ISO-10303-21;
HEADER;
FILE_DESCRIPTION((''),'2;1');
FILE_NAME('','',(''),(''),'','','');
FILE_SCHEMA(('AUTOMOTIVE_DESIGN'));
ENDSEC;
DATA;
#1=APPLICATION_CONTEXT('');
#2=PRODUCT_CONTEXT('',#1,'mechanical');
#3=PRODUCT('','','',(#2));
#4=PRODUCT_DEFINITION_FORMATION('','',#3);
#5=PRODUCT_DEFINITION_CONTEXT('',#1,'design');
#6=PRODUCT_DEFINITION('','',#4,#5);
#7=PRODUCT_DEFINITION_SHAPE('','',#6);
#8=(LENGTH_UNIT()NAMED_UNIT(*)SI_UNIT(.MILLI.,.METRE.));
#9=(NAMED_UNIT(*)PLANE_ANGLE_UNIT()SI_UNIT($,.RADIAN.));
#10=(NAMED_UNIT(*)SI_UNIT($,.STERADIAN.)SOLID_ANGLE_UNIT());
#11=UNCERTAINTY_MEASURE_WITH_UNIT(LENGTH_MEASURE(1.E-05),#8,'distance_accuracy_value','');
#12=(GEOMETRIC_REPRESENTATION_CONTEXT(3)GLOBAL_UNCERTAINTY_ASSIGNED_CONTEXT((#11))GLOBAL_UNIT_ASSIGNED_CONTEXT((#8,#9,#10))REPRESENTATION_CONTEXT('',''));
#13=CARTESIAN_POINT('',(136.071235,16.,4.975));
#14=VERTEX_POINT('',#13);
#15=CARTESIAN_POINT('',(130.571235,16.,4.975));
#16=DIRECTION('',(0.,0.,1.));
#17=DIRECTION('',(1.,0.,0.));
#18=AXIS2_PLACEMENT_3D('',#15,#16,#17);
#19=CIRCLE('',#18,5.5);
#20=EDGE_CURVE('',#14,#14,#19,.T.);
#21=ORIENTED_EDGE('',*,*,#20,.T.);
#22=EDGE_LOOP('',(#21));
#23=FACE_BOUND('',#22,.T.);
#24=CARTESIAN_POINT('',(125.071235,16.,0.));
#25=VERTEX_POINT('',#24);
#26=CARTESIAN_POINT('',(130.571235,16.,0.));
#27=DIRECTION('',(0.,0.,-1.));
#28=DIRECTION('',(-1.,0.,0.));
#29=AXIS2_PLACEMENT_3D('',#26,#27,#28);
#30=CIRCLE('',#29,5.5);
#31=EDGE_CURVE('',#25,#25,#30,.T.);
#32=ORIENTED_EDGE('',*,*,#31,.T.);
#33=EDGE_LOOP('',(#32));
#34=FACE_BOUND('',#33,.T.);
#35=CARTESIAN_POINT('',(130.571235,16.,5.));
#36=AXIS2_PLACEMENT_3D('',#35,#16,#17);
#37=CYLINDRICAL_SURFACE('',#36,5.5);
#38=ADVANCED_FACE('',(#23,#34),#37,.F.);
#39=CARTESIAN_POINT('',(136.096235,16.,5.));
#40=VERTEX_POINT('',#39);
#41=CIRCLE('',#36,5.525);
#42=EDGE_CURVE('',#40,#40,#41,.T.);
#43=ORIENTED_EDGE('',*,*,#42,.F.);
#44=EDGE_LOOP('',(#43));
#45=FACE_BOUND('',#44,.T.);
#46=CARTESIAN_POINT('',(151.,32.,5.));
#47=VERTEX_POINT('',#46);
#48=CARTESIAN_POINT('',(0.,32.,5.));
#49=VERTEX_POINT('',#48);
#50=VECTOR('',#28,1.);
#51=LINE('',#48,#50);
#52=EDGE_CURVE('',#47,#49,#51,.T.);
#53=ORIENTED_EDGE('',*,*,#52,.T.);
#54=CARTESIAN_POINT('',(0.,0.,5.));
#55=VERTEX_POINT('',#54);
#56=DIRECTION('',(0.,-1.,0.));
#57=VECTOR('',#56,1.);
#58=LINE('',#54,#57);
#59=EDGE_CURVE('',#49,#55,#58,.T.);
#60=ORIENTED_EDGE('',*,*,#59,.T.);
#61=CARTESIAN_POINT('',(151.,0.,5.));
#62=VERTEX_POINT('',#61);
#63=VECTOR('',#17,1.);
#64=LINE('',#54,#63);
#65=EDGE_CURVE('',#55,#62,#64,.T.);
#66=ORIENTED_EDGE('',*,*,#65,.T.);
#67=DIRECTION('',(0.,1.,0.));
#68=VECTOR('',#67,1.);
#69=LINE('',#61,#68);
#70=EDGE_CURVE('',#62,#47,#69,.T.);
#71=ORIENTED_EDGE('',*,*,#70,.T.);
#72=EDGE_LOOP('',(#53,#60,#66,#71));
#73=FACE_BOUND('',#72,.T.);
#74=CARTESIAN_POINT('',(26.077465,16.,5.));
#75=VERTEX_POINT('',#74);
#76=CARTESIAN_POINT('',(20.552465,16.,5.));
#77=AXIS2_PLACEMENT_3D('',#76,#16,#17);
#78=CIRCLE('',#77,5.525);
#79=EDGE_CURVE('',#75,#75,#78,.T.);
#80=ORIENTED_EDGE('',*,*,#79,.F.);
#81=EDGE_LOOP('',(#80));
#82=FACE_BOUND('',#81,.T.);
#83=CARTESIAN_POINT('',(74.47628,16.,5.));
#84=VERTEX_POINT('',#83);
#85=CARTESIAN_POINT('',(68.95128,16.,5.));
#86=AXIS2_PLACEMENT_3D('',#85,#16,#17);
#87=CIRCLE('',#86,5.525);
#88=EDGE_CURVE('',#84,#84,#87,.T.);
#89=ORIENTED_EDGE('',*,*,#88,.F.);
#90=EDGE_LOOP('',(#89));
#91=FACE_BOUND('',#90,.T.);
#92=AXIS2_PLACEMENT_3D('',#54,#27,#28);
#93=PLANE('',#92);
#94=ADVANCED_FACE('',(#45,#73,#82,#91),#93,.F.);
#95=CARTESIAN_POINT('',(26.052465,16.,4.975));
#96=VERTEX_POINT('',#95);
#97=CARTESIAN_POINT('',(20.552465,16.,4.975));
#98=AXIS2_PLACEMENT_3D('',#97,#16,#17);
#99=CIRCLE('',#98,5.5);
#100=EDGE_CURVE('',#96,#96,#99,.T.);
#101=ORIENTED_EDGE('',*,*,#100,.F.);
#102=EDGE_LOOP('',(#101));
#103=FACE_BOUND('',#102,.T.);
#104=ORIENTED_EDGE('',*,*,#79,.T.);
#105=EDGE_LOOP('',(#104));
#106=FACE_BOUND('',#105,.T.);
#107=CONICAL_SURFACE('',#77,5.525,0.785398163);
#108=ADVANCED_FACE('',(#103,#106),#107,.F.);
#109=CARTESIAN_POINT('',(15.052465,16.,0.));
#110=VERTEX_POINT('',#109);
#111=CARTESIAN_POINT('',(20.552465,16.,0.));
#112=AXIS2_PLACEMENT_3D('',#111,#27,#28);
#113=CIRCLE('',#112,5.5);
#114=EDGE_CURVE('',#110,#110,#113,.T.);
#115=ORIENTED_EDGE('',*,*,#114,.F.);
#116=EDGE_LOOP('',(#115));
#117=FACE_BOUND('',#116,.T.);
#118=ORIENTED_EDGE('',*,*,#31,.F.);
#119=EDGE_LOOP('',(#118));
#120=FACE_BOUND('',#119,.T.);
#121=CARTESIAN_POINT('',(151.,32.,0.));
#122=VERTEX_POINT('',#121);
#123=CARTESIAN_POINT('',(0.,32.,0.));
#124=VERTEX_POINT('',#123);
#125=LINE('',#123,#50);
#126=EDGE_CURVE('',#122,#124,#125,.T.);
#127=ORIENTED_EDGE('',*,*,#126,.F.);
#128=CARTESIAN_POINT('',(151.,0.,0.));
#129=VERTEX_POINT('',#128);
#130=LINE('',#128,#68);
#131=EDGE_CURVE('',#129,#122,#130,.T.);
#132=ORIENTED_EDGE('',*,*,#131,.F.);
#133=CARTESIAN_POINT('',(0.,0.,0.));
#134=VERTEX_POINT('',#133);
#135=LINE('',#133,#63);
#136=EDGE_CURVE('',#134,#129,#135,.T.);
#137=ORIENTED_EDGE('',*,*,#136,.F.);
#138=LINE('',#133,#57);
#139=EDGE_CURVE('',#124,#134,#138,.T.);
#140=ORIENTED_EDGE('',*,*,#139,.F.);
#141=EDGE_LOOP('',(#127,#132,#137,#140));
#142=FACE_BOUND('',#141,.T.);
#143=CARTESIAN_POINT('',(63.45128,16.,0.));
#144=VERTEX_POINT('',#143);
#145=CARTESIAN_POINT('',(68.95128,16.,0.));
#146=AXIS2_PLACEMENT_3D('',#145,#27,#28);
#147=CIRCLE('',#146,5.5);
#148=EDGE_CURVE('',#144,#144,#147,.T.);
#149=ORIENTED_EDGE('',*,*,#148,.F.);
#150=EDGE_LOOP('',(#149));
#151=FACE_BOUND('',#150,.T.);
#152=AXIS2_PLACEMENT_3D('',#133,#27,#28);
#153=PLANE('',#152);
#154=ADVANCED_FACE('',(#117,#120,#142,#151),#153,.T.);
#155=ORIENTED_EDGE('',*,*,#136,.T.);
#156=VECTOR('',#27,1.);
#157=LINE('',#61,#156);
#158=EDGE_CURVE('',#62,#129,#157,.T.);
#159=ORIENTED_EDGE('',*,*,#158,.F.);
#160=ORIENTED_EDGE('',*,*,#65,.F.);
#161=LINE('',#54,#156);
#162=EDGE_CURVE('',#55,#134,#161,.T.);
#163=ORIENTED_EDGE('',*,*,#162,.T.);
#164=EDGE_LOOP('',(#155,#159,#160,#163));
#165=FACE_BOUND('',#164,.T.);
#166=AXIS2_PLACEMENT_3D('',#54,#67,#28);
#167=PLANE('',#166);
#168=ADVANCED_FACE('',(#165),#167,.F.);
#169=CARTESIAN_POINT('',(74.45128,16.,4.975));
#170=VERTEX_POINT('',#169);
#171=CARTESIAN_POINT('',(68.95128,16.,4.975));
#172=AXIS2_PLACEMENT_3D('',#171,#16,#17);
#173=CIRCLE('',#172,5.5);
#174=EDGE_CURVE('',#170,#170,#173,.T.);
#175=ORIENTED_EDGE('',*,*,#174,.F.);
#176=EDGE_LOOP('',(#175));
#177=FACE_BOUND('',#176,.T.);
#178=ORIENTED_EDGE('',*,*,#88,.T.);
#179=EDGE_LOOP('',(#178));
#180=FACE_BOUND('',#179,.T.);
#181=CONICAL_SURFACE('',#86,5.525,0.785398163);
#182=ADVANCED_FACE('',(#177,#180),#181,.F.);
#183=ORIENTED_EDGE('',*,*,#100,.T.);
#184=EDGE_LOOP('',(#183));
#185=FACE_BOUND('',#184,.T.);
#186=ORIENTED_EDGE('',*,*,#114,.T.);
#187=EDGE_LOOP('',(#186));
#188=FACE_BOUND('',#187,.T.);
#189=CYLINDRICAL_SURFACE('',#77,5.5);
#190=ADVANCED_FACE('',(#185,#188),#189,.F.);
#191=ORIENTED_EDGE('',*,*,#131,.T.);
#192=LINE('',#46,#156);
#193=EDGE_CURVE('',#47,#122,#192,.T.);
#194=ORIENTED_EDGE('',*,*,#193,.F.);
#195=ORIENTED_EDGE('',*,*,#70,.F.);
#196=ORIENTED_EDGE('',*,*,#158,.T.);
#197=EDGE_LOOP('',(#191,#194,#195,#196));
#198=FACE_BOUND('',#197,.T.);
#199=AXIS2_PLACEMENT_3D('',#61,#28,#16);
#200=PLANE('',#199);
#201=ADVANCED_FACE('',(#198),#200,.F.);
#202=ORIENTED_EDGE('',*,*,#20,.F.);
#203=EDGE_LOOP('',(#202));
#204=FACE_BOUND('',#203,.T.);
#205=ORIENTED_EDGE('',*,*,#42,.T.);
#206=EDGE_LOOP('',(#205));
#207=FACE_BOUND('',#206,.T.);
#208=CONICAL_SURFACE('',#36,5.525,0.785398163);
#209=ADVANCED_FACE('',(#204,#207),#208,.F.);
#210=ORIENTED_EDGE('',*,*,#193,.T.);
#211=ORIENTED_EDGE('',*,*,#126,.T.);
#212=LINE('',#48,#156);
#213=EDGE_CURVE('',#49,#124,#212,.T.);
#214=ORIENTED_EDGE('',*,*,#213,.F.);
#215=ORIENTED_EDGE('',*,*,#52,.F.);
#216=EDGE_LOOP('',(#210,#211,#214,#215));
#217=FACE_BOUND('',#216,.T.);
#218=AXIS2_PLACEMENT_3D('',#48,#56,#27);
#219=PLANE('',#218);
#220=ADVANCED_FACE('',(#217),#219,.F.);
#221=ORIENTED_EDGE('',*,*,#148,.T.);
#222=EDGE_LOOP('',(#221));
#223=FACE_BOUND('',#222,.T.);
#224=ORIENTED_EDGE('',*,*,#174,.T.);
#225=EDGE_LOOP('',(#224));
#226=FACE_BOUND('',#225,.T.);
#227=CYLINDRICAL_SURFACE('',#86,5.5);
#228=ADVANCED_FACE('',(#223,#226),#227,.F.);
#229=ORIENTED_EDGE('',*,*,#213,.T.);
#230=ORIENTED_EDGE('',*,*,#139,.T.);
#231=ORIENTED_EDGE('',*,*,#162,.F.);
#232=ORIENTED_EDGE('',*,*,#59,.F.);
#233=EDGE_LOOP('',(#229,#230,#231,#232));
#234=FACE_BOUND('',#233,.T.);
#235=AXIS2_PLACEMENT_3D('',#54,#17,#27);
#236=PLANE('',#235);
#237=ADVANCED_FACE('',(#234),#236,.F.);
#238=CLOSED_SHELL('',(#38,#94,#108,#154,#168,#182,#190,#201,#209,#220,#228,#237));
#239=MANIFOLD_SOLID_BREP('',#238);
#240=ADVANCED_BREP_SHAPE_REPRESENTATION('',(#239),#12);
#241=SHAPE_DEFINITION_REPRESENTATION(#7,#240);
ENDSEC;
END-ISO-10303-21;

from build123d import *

# Parameters (mm, degrees)
ESQUISSE1_W                 = 151
ESQUISSE1_H                 = 32
BOSS_EXTRU_1_DEPTH          = 5
D_GAGEMENT_M101_D           = 11
D_GAGEMENT_M101_DEPTH       = 37
D_GAGEMENT_M101_CSINK_D     = 11.05
D_GAGEMENT_M101_CSINK_ANGLE = 90
D_GAGEMENT_M101_TIP         = 3.304733405


with BuildPart() as part:
    # Esquisse1 → Boss.-Extru.1 (new body)
    with BuildSketch(Plane.XY):
        with Locations((75.5, 16)):
            Rectangle(ESQUISSE1_W, ESQUISSE1_H)
    extrude(amount=BOSS_EXTRU_1_DEPTH)

    # Dégagement M101
    with Locations(Plane(origin=(20.552465295, 16, 5), x_dir=(1, 0, 0), z_dir=(0, 0, 1))):
        with Locations((0, 0), (48.398815016, 0), (110.018769744, 0)):
            CounterSinkHole(D_GAGEMENT_M101_D / 2, D_GAGEMENT_M101_CSINK_D / 2, depth=D_GAGEMENT_M101_DEPTH, counter_sink_angle=D_GAGEMENT_M101_CSINK_ANGLE)
            with Locations((0, 0, -(D_GAGEMENT_M101_DEPTH + D_GAGEMENT_M101_TIP / 2))):  # 118° drill point
                Cone(0, D_GAGEMENT_M101_D / 2, D_GAGEMENT_M101_TIP, mode=Mode.SUBTRACT)


solid = part.part
